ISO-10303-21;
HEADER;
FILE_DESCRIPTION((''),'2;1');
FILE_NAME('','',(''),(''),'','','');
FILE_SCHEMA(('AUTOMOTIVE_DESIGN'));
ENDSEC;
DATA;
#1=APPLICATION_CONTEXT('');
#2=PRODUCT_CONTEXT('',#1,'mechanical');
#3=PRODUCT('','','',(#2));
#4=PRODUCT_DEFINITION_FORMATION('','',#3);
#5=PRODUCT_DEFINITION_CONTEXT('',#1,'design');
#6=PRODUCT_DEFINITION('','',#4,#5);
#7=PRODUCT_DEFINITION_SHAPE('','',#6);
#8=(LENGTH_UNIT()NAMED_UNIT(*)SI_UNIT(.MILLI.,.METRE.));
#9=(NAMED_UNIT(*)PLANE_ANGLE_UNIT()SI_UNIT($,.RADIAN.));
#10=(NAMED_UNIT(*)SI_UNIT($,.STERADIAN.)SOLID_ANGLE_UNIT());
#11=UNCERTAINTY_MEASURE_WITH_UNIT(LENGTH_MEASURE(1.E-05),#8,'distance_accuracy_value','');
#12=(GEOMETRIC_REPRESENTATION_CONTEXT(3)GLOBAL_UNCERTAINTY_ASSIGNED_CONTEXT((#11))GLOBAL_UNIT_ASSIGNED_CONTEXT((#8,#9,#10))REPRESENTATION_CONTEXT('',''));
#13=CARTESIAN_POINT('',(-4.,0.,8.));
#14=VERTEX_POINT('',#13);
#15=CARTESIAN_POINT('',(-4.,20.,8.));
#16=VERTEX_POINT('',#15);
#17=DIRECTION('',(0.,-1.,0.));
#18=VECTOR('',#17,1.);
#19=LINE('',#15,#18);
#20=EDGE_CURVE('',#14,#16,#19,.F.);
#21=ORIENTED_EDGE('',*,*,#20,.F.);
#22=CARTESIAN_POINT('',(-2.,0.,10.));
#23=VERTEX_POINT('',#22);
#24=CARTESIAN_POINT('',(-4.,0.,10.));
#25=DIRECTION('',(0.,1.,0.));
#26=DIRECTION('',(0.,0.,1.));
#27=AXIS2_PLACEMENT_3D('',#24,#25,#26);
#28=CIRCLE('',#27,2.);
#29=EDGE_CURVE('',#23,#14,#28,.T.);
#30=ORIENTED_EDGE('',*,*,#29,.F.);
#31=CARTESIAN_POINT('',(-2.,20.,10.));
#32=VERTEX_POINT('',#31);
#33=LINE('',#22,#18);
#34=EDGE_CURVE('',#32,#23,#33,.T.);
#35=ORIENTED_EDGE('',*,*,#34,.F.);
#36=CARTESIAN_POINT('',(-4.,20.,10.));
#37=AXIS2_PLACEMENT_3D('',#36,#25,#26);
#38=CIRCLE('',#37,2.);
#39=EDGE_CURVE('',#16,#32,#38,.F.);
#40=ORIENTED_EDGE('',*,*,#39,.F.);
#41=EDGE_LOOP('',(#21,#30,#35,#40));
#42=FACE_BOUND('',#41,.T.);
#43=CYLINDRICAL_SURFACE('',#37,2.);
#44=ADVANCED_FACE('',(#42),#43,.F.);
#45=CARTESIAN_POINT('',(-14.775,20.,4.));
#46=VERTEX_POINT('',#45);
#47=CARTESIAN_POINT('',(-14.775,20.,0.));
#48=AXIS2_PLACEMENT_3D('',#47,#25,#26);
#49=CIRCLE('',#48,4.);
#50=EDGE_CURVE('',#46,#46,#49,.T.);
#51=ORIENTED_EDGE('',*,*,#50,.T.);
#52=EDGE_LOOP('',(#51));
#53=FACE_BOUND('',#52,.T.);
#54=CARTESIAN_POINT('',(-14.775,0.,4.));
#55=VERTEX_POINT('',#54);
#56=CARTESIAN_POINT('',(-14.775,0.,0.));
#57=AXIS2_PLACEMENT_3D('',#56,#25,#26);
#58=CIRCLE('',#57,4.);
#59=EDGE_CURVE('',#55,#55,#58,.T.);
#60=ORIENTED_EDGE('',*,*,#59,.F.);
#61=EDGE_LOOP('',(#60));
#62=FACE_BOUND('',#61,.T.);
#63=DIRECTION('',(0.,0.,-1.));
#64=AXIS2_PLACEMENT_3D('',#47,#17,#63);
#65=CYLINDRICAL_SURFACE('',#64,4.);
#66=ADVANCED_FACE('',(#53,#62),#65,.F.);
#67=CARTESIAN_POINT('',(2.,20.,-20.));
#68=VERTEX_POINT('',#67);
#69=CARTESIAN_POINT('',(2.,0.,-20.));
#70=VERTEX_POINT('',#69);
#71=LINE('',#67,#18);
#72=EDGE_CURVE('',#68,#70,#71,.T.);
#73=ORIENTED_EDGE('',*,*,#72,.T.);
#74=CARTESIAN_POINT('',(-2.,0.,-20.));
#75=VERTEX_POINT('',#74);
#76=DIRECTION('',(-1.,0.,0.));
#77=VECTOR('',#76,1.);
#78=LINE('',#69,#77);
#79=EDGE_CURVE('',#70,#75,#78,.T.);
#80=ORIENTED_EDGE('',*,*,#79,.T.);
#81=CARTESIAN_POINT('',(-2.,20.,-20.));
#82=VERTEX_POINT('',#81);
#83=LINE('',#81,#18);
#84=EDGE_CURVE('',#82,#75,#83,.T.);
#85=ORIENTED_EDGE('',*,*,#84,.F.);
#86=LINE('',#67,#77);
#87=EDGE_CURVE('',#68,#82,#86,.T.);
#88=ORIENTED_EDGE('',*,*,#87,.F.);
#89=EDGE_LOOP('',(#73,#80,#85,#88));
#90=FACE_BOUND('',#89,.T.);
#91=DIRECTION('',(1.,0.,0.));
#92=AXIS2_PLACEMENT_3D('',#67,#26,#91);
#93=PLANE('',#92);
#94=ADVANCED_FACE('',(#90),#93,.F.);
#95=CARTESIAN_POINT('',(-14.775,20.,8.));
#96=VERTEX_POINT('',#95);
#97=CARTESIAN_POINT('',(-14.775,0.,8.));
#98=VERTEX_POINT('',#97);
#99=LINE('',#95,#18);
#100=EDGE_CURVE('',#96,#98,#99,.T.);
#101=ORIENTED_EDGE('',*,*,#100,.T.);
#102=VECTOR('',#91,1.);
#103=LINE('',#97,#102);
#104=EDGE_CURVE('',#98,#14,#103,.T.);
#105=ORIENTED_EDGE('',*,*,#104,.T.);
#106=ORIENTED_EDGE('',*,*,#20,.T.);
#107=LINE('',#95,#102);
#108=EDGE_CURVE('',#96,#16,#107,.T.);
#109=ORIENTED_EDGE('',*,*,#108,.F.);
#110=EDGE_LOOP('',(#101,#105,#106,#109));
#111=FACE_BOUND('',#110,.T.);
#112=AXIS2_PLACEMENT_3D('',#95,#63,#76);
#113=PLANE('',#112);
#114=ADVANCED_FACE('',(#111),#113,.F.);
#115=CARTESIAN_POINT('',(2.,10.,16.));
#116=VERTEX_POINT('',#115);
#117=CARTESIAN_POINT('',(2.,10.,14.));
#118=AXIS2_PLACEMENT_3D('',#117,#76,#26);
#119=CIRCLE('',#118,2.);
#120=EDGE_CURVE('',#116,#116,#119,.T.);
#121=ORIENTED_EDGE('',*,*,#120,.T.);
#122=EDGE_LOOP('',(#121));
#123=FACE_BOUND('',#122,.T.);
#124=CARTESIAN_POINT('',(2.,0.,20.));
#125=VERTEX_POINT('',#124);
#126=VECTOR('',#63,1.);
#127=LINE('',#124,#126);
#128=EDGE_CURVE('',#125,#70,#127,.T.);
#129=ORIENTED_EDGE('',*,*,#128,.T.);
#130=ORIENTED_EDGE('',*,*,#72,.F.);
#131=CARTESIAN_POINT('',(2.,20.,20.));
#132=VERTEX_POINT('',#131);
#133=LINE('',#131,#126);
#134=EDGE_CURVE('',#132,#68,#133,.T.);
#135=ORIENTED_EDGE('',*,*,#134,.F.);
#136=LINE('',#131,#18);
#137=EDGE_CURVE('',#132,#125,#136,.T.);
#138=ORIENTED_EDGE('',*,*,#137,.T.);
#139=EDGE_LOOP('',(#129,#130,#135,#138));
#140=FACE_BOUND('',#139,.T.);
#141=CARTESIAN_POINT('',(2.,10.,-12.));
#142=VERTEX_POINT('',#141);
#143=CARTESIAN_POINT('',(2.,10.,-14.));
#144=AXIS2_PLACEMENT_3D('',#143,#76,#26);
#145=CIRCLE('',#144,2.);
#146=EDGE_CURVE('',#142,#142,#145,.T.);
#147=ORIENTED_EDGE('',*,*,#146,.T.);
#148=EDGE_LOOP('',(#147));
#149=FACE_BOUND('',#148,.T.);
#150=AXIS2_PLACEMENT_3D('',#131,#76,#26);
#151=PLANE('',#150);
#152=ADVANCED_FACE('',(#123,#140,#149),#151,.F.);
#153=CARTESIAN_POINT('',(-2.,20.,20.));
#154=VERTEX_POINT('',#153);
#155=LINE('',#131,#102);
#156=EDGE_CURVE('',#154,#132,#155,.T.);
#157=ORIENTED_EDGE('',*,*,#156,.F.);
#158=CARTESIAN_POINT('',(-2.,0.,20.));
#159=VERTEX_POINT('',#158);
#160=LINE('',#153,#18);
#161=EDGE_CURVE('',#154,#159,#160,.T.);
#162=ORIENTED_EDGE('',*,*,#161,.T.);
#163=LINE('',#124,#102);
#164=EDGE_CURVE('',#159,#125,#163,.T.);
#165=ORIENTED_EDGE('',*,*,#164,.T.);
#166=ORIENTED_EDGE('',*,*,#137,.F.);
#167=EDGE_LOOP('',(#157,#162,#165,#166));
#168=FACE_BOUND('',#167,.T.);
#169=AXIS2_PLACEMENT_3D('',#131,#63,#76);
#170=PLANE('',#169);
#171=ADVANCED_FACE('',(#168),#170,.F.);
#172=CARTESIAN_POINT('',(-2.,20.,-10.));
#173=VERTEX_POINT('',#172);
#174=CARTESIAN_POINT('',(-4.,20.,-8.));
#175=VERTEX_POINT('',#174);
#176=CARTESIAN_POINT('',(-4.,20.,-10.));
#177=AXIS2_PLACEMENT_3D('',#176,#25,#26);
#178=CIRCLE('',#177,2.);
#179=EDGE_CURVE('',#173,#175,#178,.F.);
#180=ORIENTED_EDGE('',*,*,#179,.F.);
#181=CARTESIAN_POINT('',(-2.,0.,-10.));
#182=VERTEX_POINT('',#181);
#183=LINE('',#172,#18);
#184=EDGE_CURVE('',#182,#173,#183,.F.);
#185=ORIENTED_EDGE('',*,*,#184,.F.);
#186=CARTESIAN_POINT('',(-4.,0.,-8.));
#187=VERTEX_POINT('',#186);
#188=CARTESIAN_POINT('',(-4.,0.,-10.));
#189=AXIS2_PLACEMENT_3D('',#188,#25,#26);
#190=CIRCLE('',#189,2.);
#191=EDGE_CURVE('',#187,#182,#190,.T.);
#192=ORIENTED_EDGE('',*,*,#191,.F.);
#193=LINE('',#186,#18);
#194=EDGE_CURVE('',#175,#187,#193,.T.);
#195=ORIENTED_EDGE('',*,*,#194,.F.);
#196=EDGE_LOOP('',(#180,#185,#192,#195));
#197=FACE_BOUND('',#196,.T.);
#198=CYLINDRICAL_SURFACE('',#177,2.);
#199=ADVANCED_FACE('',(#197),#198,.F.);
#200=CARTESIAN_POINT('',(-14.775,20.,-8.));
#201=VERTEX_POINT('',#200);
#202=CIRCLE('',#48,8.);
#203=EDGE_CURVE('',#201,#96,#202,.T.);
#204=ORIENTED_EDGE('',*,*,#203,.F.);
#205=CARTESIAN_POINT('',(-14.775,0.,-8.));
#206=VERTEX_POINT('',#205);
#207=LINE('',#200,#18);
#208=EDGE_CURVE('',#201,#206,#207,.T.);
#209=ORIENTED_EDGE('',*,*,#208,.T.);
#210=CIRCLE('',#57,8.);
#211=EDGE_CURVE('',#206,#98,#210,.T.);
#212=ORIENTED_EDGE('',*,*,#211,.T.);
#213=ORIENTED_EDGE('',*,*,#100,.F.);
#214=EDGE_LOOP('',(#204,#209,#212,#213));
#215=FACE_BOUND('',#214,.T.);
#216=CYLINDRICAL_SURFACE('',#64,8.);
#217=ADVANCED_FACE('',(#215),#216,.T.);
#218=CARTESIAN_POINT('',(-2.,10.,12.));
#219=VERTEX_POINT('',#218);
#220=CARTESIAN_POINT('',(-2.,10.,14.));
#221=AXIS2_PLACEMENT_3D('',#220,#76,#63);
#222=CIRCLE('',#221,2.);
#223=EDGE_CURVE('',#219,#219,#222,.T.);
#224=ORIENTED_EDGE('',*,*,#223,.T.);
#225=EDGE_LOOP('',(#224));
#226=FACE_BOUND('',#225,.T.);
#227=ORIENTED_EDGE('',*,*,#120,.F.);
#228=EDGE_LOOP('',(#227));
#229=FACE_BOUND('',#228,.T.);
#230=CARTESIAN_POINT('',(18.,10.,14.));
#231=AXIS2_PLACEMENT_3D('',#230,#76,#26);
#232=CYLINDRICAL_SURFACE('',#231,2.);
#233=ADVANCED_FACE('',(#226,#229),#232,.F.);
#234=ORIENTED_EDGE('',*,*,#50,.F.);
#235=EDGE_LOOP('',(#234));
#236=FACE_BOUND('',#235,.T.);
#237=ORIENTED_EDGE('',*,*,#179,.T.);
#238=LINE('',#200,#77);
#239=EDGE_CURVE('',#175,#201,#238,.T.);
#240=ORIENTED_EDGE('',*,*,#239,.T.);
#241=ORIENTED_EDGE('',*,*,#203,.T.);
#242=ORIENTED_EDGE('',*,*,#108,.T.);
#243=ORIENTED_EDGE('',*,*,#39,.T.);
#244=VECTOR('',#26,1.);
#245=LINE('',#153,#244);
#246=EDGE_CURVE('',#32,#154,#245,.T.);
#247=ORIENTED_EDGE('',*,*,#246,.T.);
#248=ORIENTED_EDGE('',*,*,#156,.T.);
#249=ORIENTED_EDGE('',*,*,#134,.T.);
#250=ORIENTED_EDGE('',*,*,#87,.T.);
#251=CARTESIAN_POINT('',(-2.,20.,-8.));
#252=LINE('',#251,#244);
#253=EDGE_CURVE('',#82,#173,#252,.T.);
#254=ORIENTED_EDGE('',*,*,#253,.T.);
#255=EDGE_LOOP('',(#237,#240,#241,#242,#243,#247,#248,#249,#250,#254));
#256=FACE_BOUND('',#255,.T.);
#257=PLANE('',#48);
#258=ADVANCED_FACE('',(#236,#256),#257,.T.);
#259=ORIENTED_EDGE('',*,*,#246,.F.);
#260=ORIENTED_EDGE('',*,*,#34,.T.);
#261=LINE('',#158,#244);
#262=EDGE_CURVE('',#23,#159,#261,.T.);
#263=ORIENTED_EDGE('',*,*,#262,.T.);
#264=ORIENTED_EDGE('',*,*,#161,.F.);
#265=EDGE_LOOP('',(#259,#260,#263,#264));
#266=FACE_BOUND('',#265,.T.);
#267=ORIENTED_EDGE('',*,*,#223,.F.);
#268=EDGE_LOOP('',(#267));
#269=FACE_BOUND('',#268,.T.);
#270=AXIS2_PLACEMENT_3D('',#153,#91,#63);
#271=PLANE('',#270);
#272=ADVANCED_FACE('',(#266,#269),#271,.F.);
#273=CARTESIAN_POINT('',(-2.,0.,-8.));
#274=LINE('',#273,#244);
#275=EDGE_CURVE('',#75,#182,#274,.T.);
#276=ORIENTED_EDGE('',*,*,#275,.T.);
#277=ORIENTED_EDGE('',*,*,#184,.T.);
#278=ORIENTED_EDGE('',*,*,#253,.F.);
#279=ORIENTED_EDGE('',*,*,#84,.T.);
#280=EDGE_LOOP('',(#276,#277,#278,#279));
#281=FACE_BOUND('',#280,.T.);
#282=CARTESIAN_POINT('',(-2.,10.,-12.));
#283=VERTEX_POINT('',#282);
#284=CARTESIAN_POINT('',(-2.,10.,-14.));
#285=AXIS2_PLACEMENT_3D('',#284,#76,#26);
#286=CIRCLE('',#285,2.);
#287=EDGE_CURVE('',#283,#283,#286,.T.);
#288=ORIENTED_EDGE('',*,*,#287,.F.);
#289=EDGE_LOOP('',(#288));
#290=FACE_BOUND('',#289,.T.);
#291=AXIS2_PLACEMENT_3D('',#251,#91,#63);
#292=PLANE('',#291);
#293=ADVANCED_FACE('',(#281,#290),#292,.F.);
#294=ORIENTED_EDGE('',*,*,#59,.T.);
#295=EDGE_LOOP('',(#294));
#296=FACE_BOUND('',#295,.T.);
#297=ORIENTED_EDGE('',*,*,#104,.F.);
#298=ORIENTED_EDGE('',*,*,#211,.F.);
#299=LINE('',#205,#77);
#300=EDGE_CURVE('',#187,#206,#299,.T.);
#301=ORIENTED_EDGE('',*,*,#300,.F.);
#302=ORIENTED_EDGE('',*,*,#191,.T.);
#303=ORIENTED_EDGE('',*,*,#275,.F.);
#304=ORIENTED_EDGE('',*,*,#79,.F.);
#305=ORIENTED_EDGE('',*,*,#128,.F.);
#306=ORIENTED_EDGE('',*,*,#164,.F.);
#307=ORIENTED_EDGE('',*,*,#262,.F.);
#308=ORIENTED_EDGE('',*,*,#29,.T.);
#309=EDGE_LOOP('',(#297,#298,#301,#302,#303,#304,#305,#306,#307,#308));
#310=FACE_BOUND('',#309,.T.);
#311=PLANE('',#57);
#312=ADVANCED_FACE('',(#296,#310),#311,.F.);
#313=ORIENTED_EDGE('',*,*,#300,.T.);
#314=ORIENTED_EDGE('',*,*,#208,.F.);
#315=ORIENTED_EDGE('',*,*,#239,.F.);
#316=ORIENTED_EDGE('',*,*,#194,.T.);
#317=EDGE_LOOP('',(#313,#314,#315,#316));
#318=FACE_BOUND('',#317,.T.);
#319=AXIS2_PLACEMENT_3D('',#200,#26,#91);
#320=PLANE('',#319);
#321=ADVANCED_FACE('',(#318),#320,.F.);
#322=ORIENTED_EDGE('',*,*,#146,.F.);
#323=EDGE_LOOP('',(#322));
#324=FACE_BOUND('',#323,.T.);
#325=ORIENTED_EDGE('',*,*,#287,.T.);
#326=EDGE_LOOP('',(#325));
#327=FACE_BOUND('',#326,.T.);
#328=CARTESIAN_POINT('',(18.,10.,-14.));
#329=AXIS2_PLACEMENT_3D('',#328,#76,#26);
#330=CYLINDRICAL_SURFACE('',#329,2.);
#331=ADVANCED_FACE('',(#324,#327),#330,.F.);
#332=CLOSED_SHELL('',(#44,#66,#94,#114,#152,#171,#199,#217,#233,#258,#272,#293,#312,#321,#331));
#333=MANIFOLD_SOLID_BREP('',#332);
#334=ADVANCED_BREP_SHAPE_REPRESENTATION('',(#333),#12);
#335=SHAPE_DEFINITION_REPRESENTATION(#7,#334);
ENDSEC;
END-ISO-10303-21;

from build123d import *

# Parameters (mm, degrees)
SKETCH1_R           = 4
BOSS_EXTRUDE1_DEPTH = 20
SKETCH2_R           = 2
CUT_EXTRUDE1_DEPTH  = 20
FILLET1_R           = 2


with BuildPart() as part:
    # Sketch1 → Boss-Extrude1 (new body)
    with BuildSketch(Plane(origin=(0, 0, 0), x_dir=(1, 0, 0), z_dir=(0, 1, 0))):
        with BuildLine():
            Line((-14.775, 8), (-2, 8))
            Line((-2, 8), (-2, 20))
            Line((-2, 20), (2, 20))
            Line((2, 20), (2, -20))
            Line((2, -20), (-2, -20))
            Line((-2, -20), (-2, -8))
            Line((-2, -8), (-14.775, -8))
            ThreePointArc((-14.775, -8), (-22.775, 0), (-14.775, 8))
        make_face()
        with Locations(Location((-14.775, 0, 0), (0, 0, 270))):
            Circle(SKETCH1_R, mode=Mode.SUBTRACT)
    extrude(amount=BOSS_EXTRUDE1_DEPTH)

    # Sketch2 → Cut-Extrude1 (cut)
    with BuildSketch(Plane.ZY.offset(2)):
        with Locations((-14, 10)):
            Circle(SKETCH2_R)
        with Locations((14, 10)):
            Circle(SKETCH2_R)
    extrude(amount=-CUT_EXTRUDE1_DEPTH, mode=Mode.SUBTRACT)

    # Fillet1
    fillet1_edges = [part.edges().sort_by_distance(p)[0] for p in [
        (-2, 10, 8),
        (-2, 10, -8),
    ]]
    fillet(fillet1_edges, radius=FILLET1_R)


solid = part.part
